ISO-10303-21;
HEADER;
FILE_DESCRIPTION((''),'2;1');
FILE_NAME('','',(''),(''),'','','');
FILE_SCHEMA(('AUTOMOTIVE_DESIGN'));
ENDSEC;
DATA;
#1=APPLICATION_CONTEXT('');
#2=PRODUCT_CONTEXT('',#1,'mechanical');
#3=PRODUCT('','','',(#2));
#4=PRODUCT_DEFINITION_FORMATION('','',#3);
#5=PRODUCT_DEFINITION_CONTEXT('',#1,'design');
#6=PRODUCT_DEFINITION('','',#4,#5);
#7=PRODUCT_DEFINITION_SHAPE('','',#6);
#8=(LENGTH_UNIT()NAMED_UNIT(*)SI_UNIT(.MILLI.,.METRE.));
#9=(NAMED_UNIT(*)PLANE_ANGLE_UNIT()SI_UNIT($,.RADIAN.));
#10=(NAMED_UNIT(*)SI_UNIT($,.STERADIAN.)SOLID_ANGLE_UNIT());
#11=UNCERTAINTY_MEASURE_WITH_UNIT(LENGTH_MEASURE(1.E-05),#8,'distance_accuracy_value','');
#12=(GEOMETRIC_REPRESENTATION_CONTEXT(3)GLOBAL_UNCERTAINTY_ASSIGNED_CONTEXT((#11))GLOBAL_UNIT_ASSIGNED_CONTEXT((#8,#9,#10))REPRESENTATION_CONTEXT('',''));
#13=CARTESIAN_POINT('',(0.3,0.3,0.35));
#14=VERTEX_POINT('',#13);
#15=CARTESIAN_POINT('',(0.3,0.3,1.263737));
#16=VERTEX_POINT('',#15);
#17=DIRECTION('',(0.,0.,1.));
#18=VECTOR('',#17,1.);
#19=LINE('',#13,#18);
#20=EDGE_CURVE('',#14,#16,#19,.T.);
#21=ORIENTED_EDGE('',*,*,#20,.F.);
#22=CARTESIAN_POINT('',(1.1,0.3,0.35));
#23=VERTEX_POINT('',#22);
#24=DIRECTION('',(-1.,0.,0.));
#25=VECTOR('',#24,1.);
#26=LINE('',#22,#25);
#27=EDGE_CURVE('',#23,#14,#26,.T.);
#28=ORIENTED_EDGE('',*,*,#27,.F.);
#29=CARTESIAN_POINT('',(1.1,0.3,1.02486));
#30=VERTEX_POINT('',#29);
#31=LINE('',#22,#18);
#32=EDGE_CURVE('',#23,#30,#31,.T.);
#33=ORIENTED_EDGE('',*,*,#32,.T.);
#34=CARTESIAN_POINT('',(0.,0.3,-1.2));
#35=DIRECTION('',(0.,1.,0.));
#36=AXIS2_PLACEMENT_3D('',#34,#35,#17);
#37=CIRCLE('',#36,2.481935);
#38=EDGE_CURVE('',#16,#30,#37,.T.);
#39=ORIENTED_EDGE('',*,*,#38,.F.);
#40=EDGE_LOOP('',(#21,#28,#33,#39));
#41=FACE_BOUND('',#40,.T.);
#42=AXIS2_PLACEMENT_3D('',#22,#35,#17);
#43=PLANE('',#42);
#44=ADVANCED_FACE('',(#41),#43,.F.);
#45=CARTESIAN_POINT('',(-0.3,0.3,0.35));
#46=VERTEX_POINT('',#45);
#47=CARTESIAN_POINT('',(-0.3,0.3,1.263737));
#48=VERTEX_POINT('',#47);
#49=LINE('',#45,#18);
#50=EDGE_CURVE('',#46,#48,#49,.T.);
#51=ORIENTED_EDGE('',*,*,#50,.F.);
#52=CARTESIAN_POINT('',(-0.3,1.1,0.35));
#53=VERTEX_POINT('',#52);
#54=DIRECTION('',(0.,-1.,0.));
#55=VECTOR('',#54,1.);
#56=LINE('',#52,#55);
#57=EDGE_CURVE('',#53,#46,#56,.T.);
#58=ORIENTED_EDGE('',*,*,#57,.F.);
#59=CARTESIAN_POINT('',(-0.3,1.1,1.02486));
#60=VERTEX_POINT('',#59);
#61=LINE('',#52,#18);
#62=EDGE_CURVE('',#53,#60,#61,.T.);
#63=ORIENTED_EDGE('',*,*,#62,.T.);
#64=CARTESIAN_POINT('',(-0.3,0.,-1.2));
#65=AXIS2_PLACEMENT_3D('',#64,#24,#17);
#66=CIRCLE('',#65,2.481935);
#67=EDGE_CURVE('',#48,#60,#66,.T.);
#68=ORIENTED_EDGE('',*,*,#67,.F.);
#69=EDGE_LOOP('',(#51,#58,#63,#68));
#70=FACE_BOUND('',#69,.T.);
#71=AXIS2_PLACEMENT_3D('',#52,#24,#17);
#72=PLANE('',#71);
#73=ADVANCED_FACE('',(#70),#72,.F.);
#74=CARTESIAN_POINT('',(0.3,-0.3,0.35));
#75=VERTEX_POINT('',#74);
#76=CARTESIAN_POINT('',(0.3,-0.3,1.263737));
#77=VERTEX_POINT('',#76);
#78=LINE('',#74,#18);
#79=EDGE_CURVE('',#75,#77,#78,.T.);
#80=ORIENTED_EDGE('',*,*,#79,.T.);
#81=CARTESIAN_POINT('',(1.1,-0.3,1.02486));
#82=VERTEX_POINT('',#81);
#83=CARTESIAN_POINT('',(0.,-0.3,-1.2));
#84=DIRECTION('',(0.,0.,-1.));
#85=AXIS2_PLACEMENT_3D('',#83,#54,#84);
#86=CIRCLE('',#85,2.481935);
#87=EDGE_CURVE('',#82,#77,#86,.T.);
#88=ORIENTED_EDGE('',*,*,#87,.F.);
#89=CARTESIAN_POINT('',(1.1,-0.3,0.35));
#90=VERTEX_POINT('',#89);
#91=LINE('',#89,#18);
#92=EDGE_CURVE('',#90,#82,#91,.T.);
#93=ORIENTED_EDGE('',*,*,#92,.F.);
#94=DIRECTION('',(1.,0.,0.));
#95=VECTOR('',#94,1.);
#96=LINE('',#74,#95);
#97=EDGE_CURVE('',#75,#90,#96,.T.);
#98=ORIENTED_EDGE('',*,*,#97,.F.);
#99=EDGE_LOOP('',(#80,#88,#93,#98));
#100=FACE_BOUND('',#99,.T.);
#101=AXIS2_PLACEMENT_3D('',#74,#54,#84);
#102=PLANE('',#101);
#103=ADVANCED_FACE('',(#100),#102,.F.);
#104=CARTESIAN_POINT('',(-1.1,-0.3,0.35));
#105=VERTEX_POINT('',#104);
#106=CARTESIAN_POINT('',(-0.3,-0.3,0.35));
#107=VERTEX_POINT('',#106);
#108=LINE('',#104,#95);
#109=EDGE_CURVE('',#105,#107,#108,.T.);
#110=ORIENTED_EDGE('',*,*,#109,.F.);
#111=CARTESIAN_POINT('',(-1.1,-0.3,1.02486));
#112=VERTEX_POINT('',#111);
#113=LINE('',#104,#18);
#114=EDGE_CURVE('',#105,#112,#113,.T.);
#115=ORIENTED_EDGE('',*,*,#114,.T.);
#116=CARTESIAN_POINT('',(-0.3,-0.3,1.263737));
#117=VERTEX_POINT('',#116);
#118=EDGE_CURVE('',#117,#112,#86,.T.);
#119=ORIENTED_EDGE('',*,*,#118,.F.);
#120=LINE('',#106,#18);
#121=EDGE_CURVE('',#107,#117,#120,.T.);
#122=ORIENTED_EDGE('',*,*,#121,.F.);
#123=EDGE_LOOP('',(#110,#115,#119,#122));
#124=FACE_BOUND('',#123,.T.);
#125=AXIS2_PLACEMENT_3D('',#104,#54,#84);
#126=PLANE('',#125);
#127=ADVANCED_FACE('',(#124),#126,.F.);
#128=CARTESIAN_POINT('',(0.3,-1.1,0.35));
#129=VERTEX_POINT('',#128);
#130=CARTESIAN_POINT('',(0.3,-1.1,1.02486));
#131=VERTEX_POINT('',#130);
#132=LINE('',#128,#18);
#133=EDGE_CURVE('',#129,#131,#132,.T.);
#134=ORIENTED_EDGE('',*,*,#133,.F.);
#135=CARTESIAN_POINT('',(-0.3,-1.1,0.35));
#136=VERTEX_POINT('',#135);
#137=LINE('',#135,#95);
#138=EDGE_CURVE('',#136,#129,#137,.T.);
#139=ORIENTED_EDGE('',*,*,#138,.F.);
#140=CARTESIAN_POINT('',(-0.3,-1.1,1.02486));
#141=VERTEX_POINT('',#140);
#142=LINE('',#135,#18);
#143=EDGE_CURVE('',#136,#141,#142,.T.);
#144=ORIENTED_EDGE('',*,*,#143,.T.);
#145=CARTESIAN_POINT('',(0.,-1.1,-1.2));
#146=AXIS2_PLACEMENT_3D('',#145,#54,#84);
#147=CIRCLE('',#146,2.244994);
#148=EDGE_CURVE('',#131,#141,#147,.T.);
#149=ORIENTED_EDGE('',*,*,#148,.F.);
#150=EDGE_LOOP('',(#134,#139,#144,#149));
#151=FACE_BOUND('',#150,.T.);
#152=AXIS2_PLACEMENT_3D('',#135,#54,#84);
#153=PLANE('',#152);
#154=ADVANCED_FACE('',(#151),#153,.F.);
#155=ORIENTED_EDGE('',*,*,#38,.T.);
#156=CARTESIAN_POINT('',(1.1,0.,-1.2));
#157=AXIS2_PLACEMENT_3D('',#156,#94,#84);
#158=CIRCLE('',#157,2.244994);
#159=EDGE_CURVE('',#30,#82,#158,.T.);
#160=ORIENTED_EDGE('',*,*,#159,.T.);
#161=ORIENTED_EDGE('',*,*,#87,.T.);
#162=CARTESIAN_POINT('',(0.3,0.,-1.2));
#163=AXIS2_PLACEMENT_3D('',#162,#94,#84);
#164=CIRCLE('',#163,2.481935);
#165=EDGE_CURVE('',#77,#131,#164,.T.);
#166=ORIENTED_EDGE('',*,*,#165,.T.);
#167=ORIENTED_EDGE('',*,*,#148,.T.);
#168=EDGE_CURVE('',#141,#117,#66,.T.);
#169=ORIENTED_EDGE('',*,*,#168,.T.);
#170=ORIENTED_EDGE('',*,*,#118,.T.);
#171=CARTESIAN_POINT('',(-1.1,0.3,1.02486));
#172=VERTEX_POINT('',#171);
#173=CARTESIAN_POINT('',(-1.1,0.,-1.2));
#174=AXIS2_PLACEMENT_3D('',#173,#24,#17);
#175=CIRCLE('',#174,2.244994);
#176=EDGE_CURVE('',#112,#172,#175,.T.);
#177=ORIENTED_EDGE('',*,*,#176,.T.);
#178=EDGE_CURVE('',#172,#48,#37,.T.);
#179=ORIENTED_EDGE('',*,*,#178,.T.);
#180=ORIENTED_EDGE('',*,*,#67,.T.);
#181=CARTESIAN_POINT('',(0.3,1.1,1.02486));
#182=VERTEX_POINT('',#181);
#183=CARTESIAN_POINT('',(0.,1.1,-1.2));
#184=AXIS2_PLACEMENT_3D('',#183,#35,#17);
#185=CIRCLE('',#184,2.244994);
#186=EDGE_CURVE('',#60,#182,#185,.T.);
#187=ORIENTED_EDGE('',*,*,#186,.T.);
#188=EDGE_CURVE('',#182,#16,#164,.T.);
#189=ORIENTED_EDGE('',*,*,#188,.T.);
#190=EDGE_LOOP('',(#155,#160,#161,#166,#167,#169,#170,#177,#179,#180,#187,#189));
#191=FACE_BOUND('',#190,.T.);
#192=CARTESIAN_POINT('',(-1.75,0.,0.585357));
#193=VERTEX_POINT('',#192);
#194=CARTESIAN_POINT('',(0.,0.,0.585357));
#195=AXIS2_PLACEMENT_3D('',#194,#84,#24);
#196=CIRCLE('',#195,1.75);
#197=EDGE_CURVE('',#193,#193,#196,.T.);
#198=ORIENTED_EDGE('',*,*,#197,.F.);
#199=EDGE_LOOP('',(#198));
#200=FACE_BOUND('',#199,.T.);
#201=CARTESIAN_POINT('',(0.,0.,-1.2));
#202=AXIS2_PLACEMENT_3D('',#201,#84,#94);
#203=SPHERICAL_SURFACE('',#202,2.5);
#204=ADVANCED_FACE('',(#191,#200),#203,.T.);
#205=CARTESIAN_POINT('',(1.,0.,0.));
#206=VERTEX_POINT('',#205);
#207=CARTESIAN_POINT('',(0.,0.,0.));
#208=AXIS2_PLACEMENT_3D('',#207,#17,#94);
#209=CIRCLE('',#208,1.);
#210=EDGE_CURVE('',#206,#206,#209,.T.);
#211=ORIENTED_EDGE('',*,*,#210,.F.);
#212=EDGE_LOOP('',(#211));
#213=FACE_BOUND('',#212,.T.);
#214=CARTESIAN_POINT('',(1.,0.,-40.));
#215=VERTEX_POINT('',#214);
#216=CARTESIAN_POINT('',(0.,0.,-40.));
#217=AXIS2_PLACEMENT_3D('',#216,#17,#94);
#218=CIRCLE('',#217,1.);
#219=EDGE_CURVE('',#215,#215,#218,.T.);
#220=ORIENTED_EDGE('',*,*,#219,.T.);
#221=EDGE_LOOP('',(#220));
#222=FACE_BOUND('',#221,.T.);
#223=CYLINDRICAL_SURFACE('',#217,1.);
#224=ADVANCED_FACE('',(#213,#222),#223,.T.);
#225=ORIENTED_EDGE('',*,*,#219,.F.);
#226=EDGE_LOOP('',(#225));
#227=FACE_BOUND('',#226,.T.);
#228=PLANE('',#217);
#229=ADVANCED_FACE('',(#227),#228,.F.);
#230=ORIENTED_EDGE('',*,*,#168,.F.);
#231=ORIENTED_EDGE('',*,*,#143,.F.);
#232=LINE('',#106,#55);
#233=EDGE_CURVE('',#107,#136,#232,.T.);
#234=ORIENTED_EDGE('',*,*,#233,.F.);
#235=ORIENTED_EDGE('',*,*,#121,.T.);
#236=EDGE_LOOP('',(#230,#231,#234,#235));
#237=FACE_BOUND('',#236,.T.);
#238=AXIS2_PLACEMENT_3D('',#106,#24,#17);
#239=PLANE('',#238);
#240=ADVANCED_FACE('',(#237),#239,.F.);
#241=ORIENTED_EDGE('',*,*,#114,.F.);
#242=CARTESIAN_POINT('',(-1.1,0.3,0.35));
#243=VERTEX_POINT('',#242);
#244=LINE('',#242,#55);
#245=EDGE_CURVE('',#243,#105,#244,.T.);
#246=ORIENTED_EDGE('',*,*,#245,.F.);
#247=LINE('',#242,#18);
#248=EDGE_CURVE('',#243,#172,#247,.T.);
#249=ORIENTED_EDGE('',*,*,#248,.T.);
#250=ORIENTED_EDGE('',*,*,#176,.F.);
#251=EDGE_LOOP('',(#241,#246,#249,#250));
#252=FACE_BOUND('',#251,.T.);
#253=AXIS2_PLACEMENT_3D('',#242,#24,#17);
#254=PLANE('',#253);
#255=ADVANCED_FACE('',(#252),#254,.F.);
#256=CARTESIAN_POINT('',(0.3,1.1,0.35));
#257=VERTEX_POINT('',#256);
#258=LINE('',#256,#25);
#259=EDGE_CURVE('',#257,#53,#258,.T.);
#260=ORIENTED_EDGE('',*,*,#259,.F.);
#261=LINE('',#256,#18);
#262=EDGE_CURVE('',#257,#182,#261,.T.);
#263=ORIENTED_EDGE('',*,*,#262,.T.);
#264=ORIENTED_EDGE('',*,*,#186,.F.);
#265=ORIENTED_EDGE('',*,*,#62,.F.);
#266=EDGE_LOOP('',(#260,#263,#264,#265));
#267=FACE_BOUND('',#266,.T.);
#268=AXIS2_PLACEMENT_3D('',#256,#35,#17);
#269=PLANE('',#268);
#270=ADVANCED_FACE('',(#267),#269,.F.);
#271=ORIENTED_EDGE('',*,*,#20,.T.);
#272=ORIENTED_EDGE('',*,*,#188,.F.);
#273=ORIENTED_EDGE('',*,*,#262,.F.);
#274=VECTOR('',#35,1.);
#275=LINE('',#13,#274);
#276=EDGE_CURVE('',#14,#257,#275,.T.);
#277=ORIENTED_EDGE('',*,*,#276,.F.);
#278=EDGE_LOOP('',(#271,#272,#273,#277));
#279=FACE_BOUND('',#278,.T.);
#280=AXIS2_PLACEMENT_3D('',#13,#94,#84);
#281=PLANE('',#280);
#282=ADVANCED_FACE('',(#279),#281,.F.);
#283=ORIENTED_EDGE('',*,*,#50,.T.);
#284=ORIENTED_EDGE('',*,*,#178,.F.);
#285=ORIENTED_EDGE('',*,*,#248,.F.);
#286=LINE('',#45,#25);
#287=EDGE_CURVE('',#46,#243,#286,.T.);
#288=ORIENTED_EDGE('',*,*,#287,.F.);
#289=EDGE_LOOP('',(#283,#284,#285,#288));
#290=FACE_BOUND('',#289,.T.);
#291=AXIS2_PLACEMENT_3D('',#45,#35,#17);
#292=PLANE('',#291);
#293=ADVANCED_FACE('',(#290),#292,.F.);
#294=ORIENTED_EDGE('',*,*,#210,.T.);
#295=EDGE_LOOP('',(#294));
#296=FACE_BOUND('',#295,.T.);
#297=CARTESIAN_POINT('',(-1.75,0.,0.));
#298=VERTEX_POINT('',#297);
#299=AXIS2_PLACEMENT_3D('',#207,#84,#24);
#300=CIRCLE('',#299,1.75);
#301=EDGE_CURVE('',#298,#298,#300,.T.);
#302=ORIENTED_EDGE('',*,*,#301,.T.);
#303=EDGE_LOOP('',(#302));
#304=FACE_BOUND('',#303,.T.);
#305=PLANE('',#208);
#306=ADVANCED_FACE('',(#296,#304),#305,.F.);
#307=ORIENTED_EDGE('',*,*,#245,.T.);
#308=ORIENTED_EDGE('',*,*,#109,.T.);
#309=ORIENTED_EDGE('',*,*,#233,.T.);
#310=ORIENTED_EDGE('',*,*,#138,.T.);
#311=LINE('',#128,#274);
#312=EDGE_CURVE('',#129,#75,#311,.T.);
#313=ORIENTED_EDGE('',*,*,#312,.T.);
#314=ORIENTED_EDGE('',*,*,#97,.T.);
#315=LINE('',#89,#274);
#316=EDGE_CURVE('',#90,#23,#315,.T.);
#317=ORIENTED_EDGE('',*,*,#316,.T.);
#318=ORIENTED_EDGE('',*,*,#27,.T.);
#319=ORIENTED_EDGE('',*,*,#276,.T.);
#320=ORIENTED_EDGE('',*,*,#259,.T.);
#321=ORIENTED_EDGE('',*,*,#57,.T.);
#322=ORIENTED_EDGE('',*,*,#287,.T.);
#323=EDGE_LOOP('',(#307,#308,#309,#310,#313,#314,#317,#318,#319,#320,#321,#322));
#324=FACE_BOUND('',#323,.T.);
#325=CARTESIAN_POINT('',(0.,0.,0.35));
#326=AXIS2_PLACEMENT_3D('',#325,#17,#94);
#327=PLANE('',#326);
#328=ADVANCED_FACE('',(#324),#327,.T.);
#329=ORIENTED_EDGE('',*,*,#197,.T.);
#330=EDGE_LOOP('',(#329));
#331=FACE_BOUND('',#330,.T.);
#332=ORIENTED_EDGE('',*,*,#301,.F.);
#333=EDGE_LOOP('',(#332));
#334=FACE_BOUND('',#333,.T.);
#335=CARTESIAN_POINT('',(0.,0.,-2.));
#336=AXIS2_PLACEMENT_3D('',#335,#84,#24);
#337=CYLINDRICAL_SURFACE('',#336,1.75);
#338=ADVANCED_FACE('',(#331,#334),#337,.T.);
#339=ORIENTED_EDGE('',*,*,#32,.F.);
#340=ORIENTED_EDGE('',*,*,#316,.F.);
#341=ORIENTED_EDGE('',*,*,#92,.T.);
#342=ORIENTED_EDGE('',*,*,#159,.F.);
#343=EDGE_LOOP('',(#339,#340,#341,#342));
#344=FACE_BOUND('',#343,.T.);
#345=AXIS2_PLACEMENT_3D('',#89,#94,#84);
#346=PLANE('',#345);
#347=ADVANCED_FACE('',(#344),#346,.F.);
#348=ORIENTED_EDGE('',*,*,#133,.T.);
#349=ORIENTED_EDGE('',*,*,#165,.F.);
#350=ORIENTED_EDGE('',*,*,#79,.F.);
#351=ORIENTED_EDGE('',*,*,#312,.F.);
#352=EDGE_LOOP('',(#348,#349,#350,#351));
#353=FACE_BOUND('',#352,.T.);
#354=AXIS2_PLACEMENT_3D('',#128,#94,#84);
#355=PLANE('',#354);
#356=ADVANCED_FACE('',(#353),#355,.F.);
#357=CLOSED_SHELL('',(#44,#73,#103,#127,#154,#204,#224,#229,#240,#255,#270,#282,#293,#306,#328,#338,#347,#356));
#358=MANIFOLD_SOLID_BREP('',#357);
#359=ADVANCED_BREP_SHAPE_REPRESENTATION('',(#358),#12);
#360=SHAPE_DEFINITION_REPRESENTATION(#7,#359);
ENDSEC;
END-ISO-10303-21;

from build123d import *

# Parameters (mm, degrees)
SKETCH_1_R        = 1
EXTRUDE_198_DEPTH = 40
PH1_START         = 1.31
PH1_DEPTH         = 0.96


with BuildPart() as part:
    # 草图1 → Extrude 198 (new body)
    with BuildSketch(Plane.XY):
        Circle(SKETCH_1_R)
    extrude(amount=-EXTRUDE_198_DEPTH)

    # 草图6 → Revolve 324 (revolve)
    with BuildSketch(Plane(origin=(0, 0, 0), x_dir=(1, 0, 0), z_dir=(0, 1, 0)), mode=Mode.PRIVATE) as revolve_324_sk:
        with BuildLine():
            Line((0, 0), (1.75, 0))
            Line((1.75, 0), (1.75, -0.585357107))
            ThreePointArc((1.75, -0.585357107), (0.945147404, -1.114453798), (0, -1.3))
            Line((0, -1.3), (0, 0))
        make_face()
    revolve(revolve_324_sk.sketch.rotate(Axis((0, 0, -2), (0, 0, 1)), 180), axis=Axis((0, 0, -2), (0, 0, 1)))

    # 草图7 → 十字槽_PH1_简化 (cut)
    with BuildSketch(Plane.XY.offset(PH1_START)):
        Polygon((-0.3, -1.1), (0.3, -1.1), (0.3, -0.3), (1.1, -0.3), (1.1, 0.3), (0.3, 0.3), (0.3, 1.1), (-0.3, 1.1), (-0.3, 0.3), (-1.1, 0.3), (-1.1, -0.3), (-0.3, -0.3), align=None)
    extrude(amount=-PH1_DEPTH, mode=Mode.SUBTRACT)


solid = part.part
